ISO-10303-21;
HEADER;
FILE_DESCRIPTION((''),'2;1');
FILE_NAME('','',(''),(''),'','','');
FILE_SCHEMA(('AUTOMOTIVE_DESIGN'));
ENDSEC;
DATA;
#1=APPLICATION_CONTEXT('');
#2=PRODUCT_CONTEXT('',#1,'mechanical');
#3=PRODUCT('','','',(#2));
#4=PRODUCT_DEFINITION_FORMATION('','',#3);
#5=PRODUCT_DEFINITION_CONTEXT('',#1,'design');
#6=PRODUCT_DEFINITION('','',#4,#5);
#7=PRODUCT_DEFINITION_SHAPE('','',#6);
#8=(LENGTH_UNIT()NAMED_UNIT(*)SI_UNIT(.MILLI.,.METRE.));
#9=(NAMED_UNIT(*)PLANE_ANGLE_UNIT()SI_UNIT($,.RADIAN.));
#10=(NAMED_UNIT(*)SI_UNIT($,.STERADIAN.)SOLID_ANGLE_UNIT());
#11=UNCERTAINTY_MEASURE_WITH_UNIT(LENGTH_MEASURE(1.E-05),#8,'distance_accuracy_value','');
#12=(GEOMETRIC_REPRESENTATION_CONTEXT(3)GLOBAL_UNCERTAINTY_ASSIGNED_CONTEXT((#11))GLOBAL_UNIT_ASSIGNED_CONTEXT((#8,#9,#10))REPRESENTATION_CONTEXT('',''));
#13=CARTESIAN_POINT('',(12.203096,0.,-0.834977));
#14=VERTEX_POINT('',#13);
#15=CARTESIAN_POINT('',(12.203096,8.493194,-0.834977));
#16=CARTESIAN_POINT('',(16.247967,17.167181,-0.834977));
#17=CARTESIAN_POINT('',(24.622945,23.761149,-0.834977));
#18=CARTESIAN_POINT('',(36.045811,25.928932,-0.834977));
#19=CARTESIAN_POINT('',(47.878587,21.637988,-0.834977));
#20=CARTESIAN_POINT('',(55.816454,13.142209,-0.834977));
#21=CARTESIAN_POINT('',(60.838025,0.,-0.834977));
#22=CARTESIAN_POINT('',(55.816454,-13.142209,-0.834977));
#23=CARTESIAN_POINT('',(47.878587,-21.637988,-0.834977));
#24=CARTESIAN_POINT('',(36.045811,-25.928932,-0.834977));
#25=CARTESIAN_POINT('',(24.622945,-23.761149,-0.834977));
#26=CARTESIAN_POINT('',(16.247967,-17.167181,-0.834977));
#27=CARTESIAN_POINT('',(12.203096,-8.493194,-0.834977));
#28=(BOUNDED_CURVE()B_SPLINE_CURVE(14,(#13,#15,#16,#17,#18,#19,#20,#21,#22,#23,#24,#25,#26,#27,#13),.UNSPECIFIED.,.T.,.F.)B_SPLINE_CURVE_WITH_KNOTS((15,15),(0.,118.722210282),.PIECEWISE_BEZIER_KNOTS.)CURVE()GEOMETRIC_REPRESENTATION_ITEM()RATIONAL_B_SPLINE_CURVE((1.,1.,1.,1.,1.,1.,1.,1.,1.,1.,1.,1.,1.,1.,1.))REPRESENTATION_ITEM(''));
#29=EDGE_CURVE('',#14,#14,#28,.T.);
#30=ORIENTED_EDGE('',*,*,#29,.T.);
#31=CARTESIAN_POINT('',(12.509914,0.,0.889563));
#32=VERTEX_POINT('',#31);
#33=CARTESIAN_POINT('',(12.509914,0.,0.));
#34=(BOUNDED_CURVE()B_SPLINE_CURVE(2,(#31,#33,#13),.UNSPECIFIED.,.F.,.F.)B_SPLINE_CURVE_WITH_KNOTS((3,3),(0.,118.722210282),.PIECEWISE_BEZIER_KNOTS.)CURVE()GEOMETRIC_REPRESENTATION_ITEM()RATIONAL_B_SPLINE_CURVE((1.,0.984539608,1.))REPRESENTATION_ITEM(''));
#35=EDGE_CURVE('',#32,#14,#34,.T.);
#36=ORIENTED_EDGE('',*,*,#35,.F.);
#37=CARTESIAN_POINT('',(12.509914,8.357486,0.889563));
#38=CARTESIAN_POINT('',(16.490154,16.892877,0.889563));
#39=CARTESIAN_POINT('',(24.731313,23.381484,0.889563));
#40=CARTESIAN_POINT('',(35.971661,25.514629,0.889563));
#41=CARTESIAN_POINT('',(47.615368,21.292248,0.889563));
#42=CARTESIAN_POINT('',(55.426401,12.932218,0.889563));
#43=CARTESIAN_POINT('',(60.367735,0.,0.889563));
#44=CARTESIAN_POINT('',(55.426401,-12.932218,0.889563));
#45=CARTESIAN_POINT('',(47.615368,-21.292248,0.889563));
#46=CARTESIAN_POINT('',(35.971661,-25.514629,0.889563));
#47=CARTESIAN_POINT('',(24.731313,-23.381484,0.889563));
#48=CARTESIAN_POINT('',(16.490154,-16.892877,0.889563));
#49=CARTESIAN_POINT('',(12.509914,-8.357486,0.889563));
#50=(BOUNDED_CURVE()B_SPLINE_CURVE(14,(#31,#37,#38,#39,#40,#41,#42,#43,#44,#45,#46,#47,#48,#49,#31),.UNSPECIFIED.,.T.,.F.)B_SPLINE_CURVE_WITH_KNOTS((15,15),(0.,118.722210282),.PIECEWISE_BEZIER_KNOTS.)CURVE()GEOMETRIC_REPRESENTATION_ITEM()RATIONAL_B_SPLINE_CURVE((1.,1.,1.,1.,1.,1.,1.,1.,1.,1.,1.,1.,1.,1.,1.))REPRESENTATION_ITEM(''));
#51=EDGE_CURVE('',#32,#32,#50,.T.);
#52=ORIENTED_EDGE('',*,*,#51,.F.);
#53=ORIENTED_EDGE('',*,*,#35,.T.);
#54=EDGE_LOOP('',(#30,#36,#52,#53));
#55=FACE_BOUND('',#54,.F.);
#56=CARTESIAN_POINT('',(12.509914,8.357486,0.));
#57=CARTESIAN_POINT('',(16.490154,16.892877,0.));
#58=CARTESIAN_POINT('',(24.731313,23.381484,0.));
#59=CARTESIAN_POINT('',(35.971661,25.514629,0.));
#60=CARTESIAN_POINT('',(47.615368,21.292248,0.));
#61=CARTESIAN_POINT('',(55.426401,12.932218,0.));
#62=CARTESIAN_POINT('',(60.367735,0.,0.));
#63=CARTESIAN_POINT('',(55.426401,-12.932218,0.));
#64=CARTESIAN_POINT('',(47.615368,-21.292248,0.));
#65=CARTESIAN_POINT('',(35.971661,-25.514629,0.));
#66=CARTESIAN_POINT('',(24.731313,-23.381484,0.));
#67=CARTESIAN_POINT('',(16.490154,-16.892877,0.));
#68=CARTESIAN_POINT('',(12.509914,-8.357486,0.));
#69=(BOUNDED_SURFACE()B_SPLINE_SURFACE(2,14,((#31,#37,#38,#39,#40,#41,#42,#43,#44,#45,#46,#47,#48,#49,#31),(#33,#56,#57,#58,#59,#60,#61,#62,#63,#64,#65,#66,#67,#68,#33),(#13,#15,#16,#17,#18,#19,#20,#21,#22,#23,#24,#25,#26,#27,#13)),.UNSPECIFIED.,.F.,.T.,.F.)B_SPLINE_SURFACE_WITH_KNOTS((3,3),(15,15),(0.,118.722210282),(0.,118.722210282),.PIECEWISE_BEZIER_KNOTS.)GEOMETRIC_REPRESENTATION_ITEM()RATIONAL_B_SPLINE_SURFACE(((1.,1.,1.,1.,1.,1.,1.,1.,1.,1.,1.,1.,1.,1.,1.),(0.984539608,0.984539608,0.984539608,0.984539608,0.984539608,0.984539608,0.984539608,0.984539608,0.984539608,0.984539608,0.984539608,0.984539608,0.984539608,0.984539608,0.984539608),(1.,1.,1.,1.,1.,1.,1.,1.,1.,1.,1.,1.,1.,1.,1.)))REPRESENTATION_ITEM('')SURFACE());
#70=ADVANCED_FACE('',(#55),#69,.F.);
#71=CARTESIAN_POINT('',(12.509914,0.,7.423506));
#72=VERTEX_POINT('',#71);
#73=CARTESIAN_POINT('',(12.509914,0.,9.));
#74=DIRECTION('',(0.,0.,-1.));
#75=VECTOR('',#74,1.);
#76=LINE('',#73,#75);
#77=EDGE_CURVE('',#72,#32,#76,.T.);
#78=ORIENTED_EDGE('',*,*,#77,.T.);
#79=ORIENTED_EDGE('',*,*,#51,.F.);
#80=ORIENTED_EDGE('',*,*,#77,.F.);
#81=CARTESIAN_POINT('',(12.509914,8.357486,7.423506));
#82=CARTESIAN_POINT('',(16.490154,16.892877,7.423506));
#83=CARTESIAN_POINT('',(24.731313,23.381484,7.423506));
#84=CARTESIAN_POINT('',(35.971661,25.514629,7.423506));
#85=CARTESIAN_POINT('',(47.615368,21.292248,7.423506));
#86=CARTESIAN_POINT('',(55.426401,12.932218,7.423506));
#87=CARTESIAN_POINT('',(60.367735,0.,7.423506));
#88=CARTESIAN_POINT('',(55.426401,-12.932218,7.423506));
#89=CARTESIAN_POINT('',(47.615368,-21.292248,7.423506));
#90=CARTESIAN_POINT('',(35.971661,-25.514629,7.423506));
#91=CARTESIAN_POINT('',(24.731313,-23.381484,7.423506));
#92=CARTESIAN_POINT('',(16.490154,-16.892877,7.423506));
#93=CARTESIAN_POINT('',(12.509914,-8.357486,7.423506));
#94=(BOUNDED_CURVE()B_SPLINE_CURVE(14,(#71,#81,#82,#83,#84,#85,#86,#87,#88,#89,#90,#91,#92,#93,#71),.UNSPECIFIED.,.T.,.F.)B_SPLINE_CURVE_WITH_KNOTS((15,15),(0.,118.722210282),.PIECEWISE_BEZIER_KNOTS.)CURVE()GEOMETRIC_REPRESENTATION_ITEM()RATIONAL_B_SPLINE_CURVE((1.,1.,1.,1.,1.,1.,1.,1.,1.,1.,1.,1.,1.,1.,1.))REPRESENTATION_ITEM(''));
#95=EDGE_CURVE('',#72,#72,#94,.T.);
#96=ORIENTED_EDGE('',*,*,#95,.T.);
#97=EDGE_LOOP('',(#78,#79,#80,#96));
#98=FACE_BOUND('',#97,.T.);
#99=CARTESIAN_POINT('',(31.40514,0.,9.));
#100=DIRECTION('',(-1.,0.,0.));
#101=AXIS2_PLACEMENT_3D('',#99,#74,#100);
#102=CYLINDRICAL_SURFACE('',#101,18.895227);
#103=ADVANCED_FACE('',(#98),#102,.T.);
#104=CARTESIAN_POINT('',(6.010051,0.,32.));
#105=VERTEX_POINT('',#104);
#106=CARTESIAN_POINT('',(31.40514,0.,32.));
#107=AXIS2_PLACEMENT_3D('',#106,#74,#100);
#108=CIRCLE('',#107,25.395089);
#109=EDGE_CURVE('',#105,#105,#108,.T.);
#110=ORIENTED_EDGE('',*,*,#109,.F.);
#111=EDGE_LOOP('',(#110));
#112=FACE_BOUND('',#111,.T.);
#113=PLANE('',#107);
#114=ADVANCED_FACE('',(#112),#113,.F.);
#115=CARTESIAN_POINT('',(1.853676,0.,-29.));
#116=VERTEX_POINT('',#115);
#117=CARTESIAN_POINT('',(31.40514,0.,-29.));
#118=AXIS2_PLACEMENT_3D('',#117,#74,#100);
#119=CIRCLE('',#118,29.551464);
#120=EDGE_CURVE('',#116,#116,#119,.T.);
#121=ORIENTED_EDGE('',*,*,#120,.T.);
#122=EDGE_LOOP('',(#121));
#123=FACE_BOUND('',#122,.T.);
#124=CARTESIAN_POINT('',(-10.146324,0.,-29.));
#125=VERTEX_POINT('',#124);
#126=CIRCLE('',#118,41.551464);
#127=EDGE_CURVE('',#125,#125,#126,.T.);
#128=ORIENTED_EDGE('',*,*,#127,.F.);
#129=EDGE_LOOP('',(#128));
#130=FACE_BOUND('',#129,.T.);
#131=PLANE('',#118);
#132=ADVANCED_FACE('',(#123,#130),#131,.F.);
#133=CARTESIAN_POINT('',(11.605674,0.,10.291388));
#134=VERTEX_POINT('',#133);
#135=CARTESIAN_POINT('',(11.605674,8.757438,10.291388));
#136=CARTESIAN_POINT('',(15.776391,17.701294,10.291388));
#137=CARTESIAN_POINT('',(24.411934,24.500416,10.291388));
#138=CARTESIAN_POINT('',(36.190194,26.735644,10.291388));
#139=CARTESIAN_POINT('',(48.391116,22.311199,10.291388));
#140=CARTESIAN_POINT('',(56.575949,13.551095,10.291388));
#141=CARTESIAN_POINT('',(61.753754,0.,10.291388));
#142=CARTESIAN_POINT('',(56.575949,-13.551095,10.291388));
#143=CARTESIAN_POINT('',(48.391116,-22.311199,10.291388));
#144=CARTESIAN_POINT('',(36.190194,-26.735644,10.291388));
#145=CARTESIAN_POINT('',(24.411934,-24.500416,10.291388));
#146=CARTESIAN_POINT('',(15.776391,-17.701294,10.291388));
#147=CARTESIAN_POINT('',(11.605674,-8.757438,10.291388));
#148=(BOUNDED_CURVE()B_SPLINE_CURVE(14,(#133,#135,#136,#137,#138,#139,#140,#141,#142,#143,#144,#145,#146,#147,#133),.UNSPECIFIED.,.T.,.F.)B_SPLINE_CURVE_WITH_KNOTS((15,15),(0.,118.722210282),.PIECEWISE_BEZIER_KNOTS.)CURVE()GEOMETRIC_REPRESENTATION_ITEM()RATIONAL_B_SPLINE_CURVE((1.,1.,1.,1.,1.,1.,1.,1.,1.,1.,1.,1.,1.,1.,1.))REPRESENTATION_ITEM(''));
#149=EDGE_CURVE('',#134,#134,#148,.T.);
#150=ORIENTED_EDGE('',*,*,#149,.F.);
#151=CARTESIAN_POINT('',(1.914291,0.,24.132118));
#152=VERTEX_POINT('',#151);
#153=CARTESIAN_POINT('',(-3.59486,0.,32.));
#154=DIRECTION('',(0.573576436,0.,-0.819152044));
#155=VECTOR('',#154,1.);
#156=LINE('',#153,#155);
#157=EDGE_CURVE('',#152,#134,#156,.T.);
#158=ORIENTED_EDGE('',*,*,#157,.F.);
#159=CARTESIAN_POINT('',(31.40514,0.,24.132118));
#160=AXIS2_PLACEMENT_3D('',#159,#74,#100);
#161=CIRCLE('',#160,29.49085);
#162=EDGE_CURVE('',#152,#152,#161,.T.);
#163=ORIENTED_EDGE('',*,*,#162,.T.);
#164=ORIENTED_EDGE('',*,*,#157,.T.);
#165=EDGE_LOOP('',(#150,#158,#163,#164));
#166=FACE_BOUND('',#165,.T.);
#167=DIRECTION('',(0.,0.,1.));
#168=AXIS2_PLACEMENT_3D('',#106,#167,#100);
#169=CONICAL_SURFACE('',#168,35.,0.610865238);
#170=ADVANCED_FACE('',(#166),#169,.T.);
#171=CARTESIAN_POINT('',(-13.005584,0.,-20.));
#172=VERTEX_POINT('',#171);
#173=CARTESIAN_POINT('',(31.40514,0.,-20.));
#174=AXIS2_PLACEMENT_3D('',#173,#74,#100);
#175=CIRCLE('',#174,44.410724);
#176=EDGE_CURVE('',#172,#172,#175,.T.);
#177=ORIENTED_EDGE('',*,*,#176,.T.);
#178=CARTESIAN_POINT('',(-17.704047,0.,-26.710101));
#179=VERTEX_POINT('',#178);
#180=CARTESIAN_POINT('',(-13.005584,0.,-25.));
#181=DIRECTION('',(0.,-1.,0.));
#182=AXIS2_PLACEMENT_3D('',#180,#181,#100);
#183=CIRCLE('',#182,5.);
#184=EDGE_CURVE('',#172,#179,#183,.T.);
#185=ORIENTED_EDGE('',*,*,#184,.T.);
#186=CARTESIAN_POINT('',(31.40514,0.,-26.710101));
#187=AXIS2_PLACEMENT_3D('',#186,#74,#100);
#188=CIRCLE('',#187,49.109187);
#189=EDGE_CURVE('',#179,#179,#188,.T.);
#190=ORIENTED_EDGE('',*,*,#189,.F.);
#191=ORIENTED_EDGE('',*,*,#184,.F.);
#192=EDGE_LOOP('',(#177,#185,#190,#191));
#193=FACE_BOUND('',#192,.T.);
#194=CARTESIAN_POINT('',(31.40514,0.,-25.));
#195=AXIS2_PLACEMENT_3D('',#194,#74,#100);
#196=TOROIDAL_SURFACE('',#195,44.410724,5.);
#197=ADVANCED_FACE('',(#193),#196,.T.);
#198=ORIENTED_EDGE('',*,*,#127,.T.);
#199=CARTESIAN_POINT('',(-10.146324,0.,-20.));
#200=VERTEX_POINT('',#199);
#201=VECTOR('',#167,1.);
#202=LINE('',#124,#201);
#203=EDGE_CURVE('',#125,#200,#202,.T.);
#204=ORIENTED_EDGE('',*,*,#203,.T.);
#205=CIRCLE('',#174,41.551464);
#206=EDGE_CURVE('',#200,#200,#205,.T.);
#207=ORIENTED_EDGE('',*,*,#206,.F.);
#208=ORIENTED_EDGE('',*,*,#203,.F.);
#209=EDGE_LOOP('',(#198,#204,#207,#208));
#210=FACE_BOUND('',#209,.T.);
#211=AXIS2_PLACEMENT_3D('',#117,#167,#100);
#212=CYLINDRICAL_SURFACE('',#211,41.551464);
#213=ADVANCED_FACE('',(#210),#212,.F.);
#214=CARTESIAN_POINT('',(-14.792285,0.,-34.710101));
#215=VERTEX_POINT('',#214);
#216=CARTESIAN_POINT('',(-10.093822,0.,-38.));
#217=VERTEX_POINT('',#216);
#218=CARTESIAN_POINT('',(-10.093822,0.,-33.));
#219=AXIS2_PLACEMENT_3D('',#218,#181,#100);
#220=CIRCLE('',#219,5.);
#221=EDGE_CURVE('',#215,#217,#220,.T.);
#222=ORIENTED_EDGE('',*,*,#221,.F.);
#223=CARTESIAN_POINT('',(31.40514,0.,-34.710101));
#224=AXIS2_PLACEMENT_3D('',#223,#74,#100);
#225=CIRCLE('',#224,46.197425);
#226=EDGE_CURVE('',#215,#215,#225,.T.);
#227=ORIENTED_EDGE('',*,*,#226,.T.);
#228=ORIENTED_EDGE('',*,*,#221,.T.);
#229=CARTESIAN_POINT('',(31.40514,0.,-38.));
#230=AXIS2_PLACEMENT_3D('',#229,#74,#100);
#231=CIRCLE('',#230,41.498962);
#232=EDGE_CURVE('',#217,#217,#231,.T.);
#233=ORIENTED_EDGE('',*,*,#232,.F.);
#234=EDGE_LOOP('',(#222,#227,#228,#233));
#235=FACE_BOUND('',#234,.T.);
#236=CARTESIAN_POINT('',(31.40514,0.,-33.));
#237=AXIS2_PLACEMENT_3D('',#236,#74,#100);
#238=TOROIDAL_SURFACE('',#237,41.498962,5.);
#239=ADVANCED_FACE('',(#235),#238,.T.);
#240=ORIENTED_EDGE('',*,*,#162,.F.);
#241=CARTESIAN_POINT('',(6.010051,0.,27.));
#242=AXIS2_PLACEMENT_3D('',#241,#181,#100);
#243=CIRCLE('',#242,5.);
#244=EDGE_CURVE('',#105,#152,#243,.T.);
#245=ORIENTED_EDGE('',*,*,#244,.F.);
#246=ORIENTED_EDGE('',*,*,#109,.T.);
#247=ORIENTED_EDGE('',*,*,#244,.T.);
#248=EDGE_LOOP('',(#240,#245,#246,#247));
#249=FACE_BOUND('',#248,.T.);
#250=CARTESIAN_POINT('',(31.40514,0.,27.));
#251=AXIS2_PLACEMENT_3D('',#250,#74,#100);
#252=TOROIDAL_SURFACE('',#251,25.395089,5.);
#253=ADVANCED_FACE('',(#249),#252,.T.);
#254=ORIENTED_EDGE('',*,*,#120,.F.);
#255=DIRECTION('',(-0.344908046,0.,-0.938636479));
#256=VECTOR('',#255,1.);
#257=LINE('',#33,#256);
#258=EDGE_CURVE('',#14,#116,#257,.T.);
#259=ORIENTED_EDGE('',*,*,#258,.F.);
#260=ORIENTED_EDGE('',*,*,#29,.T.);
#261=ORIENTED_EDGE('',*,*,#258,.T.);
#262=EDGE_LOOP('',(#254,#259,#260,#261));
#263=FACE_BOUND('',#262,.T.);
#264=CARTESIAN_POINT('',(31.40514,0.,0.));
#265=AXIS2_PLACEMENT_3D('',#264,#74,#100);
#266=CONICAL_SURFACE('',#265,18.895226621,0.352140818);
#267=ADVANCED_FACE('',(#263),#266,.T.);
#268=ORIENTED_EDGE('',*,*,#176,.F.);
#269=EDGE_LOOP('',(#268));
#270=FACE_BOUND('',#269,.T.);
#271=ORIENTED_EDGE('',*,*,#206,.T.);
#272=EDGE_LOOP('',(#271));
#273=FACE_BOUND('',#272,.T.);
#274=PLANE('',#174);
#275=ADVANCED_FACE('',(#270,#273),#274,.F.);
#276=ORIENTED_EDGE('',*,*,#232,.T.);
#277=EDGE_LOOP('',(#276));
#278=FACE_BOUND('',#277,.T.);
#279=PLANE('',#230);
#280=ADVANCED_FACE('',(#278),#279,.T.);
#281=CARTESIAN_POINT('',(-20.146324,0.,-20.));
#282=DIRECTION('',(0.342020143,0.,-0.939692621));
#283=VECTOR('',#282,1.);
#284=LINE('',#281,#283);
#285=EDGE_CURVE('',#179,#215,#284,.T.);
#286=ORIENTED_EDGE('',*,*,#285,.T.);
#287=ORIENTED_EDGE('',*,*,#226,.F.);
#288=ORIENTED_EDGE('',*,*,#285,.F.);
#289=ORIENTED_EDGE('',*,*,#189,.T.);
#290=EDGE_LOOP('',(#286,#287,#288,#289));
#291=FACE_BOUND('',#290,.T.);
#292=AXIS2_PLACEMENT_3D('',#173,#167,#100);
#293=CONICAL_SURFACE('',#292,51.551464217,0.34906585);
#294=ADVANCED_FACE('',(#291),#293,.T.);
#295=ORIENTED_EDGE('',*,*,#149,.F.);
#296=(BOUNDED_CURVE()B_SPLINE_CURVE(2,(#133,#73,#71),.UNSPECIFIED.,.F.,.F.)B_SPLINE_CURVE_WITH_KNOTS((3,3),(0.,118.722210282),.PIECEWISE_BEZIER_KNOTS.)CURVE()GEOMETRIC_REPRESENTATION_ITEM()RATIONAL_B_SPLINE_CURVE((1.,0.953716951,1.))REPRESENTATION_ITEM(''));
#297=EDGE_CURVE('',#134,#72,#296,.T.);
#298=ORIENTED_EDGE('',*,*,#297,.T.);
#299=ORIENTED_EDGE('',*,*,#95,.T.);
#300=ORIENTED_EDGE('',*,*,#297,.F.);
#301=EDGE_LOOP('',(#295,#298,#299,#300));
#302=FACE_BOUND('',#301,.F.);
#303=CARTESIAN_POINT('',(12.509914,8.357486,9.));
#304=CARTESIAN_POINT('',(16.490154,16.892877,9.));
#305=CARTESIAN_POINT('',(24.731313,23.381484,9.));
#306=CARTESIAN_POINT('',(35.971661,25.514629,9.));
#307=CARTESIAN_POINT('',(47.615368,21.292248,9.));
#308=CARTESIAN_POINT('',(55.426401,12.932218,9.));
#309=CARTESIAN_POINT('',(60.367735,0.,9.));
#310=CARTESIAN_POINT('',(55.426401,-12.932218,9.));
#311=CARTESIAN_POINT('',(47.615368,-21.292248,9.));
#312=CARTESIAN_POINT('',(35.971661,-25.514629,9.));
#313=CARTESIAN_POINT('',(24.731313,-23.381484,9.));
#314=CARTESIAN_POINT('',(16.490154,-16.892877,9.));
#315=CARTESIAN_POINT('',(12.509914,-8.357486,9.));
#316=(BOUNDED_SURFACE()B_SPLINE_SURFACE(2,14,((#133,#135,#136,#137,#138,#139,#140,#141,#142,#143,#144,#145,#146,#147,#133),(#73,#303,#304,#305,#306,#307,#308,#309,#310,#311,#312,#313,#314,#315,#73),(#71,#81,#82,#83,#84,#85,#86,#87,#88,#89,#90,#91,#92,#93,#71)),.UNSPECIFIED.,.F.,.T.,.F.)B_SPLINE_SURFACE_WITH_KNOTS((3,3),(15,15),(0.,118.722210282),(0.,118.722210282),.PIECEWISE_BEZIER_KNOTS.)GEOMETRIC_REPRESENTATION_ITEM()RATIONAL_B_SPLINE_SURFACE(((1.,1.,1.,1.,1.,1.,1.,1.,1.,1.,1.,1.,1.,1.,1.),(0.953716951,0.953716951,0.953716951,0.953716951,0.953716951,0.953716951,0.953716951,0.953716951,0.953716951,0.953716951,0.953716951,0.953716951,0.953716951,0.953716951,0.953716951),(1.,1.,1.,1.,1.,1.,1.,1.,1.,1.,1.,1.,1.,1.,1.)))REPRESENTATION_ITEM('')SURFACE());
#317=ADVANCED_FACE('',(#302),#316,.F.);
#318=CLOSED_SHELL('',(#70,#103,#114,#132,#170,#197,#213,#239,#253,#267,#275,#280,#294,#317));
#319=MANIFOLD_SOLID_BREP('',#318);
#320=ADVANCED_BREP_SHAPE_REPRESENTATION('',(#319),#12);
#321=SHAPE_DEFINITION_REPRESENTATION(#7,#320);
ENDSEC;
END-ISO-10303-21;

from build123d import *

# Parameters (mm, degrees)
F2_R = 5
F3_R = 5
F4_R = 5


with BuildPart() as f1:
    # F0 (on Front) → F1 (revolve)
    with BuildSketch(Plane.XZ):
        Polygon((-13.5948596994, -38), (31.4051403006, -38), (31.4051403006, 32), (-3.5948596994, 32), (12.5099136795, 9), (12.5099136795, 0), (1.8536760838, -29), (-10.1463239162, -29), (-10.1463239162, -20), (-20.1463239162, -20), align=None)
    revolve(axis=Axis((31.4051403006, 0, -3), (0, 0, -1)))

    # F2
    f2_edges = [f1.edges().sort_by_distance(p)[0] for p in [
        (66.40514, 0, 32),
        (82.956605, 0, -20),
    ]]
    fillet(f2_edges, radius=F2_R)

    # F3
    f3_edges = [f1.edges().sort_by_distance(p)[0] for p in [
        (50.300367, 0, 0),
        (50.300367, 0, 9),
    ]]
    fillet(f3_edges, radius=F3_R)

    # F4
    f4_edges = [f1.edges().sort_by_distance(p)[0] for p in [
        (76.40514, 0, -38),
    ]]
    fillet(f4_edges, radius=F4_R)


solid = f1.part
